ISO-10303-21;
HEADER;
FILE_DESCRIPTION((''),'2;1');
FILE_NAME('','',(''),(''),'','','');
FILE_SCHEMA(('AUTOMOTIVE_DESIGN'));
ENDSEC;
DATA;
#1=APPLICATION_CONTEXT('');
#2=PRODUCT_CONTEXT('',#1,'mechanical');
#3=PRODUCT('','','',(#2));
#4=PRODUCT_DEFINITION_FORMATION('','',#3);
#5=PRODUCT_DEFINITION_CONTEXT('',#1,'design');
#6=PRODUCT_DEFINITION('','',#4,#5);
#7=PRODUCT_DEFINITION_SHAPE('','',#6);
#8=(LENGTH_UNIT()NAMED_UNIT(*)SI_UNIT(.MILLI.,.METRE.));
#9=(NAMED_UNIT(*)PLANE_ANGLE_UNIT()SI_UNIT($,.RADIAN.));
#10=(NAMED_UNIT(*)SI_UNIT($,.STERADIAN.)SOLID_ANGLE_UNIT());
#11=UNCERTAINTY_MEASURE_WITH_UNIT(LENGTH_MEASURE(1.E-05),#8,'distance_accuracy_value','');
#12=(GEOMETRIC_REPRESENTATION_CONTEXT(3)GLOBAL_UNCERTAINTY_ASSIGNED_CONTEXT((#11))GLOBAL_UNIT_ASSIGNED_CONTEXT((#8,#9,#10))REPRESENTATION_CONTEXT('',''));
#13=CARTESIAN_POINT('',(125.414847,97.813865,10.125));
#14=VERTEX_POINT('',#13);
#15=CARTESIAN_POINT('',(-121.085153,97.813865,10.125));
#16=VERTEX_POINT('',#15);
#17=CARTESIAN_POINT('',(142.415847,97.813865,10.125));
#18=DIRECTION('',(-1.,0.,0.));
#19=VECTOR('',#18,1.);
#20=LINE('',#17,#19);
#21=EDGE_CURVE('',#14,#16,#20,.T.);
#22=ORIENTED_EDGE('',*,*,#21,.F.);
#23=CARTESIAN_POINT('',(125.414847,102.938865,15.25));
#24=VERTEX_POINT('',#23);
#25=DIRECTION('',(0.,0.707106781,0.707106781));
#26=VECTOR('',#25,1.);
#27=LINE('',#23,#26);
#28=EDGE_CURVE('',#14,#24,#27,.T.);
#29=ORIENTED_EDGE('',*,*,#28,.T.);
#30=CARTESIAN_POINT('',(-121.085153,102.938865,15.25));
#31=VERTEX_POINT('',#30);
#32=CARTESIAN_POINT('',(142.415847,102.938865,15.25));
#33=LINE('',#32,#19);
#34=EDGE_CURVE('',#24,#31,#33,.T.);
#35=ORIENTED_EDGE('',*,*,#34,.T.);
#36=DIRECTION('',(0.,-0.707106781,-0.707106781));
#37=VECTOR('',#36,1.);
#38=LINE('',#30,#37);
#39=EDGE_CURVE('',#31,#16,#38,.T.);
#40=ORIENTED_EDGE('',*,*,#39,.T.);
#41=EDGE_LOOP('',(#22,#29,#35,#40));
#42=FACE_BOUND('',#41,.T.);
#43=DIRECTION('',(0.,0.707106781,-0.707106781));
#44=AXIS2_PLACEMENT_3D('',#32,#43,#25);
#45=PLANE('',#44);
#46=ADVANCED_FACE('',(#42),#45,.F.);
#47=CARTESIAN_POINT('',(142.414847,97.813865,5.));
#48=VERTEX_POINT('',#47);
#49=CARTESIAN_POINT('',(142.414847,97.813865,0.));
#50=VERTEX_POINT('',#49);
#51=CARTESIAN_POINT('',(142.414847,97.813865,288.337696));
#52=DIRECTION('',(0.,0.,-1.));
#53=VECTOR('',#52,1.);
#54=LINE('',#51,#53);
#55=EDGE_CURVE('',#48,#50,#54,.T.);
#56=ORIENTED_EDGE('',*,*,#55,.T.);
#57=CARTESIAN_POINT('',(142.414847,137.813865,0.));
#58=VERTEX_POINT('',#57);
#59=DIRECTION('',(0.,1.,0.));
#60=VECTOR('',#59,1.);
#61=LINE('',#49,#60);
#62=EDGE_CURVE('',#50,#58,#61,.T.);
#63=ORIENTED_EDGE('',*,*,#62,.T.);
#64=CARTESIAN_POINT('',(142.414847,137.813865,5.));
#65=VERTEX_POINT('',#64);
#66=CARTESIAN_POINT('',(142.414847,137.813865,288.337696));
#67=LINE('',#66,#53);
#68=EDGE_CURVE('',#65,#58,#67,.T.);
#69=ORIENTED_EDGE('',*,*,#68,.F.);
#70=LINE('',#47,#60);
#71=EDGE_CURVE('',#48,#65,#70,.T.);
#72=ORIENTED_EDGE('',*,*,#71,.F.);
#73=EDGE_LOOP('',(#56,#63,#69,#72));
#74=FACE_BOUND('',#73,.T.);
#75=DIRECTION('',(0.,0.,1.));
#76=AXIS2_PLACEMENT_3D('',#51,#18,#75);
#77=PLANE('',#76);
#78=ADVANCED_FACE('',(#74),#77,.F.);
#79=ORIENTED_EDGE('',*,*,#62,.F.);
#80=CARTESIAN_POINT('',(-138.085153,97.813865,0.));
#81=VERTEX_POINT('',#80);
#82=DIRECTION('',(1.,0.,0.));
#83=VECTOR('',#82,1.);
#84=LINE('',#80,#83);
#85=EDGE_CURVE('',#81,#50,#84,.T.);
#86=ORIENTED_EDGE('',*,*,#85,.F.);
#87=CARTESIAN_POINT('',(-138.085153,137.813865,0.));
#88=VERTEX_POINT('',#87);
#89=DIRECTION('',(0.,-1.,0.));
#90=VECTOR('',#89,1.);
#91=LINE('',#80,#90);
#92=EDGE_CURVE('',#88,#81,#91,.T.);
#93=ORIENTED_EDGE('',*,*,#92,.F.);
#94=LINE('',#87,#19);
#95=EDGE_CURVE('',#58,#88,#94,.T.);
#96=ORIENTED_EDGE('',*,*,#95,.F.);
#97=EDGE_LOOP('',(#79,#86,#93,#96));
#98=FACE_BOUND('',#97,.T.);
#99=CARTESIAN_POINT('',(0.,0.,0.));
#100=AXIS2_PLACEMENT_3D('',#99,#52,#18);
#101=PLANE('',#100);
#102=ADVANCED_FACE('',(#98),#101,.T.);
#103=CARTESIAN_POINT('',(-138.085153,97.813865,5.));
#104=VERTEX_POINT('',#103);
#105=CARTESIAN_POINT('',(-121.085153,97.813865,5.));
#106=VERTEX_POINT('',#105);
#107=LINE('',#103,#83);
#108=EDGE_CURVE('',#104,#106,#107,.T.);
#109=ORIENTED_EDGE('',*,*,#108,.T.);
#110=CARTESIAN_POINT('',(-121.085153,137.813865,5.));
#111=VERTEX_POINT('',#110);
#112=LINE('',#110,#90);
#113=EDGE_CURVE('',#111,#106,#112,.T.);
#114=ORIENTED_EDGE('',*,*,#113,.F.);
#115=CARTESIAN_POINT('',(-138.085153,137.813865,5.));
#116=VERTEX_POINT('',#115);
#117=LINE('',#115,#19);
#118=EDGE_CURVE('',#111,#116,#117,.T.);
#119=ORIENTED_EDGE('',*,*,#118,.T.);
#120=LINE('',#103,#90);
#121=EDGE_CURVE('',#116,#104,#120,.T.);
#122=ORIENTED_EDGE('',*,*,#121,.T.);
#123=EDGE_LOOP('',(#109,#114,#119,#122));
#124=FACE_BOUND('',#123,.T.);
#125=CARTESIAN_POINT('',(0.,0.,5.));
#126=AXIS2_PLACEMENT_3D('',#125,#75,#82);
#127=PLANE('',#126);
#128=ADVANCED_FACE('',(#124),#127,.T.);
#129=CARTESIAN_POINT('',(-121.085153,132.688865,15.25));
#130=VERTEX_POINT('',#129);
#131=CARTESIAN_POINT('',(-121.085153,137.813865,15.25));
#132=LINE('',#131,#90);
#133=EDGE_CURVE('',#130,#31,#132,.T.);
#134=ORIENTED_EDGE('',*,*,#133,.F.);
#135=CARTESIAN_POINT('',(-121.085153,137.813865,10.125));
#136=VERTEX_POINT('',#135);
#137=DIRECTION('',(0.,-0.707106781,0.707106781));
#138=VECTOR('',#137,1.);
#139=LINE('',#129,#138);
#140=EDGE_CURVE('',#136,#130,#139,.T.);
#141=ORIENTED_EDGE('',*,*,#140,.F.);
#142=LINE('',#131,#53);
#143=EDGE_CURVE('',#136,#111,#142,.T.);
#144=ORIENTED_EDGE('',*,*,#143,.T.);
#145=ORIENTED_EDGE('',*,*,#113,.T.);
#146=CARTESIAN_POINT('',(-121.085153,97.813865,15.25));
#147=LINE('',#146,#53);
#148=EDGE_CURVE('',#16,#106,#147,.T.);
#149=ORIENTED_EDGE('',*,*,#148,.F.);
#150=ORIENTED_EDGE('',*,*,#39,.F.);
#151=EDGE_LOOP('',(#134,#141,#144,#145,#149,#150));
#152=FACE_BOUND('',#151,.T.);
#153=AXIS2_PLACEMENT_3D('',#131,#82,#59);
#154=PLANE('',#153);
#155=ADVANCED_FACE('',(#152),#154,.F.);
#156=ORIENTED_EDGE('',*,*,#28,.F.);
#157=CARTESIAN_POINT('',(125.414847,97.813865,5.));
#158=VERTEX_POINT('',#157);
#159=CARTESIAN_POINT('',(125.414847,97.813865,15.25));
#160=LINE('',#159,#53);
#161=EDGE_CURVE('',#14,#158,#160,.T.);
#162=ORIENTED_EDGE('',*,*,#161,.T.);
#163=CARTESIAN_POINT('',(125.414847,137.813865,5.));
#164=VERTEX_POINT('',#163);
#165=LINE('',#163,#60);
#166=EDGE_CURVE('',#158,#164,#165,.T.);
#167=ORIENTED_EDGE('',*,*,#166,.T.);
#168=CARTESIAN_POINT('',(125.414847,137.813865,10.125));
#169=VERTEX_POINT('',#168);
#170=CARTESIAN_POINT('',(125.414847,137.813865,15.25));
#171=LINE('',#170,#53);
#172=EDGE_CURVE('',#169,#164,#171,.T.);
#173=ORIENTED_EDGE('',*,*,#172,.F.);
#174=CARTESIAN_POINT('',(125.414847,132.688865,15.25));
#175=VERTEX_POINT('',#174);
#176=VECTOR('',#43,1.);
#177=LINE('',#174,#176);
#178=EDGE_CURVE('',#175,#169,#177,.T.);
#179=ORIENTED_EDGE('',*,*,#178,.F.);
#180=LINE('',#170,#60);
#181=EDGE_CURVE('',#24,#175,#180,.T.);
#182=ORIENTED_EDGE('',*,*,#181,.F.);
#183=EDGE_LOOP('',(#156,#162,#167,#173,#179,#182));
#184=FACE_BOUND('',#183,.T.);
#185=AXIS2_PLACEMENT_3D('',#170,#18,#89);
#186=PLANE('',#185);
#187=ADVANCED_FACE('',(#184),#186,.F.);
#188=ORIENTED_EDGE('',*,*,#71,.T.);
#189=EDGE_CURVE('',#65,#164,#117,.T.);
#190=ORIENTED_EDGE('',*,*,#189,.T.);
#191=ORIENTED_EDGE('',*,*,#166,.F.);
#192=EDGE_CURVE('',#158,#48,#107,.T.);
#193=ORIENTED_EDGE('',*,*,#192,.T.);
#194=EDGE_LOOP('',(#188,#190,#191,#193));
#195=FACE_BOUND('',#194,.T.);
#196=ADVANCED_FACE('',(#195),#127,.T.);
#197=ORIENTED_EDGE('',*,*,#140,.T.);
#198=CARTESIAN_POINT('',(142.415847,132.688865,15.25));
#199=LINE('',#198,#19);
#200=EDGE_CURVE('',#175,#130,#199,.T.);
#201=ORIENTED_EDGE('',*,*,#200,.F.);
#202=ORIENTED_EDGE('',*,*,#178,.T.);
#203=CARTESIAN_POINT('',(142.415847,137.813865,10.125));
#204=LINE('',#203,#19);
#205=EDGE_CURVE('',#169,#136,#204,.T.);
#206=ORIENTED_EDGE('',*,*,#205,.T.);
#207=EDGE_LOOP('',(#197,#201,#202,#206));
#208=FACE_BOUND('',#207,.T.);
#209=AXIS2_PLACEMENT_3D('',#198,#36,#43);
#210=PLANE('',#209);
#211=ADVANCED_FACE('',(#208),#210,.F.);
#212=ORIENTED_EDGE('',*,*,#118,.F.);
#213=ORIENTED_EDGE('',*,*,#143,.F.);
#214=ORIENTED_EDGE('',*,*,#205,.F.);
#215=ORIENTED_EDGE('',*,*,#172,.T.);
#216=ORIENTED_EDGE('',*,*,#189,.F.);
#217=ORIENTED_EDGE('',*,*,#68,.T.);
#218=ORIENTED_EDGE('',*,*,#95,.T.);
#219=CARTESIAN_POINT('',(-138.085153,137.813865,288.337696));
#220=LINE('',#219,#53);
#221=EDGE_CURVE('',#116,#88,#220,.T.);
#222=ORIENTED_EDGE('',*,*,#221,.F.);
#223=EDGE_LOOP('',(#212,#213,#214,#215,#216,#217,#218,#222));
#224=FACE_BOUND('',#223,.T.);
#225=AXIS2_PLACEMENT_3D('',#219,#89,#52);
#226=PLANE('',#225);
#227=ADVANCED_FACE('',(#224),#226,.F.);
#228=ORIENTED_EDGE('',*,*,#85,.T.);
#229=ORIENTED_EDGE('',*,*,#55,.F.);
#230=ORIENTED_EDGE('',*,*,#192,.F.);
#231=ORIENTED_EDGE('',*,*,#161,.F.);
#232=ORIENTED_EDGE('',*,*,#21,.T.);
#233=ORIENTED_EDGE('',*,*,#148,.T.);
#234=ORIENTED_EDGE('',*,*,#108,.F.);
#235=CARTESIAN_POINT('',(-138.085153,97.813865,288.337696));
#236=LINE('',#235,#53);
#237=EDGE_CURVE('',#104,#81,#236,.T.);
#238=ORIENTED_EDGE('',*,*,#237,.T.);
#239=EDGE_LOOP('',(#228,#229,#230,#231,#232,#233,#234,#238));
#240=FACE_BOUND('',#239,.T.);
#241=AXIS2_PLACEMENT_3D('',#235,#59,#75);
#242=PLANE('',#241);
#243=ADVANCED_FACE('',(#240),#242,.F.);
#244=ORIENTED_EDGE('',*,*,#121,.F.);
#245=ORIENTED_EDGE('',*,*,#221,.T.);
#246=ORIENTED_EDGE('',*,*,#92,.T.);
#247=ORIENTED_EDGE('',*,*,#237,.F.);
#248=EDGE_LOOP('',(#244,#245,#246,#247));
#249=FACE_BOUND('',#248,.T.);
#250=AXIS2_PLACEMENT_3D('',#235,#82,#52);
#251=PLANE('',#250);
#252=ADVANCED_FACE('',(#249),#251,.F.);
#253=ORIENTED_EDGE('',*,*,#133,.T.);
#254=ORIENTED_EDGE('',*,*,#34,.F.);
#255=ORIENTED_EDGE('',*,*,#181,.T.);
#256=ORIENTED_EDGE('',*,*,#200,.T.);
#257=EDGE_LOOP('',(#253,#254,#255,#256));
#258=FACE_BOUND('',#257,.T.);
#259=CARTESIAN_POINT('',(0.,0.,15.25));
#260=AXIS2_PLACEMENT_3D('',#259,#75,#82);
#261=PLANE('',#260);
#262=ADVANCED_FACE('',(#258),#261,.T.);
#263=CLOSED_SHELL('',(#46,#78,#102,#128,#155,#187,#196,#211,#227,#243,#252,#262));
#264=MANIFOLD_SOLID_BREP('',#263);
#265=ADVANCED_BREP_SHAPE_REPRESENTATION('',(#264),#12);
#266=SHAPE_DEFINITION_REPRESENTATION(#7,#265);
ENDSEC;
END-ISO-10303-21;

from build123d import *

# Parameters (mm, degrees)
ESQUISSE1_W             = 280.5
ESQUISSE1_H             = 40
BOSS_EXTRU_1_DEPTH      = 5
ESQUISSE2_W             = 246.5
ESQUISSE2_H             = 40
BOSS_EXTRU_2_DEPTH      = 10.25
ENL_V_MAT_EXTRU_1_REACH = 265.5


with BuildPart() as part:
    # Esquisse1 → Boss.-Extru.1 (new body)
    with BuildSketch(Plane.XY):
        with Locations((2.164847162, 117.813864629)):
            Rectangle(ESQUISSE1_W, ESQUISSE1_H)
    extrude(amount=BOSS_EXTRU_1_DEPTH)

    # Esquisse2 → Boss.-Extru.2 (add)
    with BuildSketch(Plane.XY.offset(5)):
        with Locations((2.164847162, 117.813864629)):
            Rectangle(ESQUISSE2_W, ESQUISSE2_H)
    extrude(amount=BOSS_EXTRU_2_DEPTH)

    # Esquisse3 → Enlèv. mat.-Extru.1 (cut, up to next)
    with BuildSketch(Plane.ZY.offset(121.085152838), mode=Mode.PRIVATE) as enl_v_mat_extru_1_sk1:
        Polygon((10.125, 137.813864629), (15.25, 137.813864629), (15.25, 132.688864629), align=None)
    enl_v_mat_extru_1_tool1 = extrude(enl_v_mat_extru_1_sk1.sketch, amount=-ENL_V_MAT_EXTRU_1_REACH, mode=Mode.PRIVATE) & part.part
    add(enl_v_mat_extru_1_tool1.solids().sort_by_distance((-121.085153, 136.105531, 13.541667))[0], mode=Mode.SUBTRACT)
    # Esquisse3 → Enlèv. mat.-Extru.1 (cut, up to next)
    with BuildSketch(Plane.ZY.offset(121.085152838), mode=Mode.PRIVATE) as enl_v_mat_extru_1_sk2:
        Polygon((15.25, 97.813864629), (15.25, 102.938864629), (10.125, 97.813864629), align=None)
    enl_v_mat_extru_1_tool2 = extrude(enl_v_mat_extru_1_sk2.sketch, amount=-ENL_V_MAT_EXTRU_1_REACH, mode=Mode.PRIVATE) & part.part
    add(enl_v_mat_extru_1_tool2.solids().sort_by_distance((-121.085153, 99.522198, 13.541667))[0], mode=Mode.SUBTRACT)


solid = part.part
